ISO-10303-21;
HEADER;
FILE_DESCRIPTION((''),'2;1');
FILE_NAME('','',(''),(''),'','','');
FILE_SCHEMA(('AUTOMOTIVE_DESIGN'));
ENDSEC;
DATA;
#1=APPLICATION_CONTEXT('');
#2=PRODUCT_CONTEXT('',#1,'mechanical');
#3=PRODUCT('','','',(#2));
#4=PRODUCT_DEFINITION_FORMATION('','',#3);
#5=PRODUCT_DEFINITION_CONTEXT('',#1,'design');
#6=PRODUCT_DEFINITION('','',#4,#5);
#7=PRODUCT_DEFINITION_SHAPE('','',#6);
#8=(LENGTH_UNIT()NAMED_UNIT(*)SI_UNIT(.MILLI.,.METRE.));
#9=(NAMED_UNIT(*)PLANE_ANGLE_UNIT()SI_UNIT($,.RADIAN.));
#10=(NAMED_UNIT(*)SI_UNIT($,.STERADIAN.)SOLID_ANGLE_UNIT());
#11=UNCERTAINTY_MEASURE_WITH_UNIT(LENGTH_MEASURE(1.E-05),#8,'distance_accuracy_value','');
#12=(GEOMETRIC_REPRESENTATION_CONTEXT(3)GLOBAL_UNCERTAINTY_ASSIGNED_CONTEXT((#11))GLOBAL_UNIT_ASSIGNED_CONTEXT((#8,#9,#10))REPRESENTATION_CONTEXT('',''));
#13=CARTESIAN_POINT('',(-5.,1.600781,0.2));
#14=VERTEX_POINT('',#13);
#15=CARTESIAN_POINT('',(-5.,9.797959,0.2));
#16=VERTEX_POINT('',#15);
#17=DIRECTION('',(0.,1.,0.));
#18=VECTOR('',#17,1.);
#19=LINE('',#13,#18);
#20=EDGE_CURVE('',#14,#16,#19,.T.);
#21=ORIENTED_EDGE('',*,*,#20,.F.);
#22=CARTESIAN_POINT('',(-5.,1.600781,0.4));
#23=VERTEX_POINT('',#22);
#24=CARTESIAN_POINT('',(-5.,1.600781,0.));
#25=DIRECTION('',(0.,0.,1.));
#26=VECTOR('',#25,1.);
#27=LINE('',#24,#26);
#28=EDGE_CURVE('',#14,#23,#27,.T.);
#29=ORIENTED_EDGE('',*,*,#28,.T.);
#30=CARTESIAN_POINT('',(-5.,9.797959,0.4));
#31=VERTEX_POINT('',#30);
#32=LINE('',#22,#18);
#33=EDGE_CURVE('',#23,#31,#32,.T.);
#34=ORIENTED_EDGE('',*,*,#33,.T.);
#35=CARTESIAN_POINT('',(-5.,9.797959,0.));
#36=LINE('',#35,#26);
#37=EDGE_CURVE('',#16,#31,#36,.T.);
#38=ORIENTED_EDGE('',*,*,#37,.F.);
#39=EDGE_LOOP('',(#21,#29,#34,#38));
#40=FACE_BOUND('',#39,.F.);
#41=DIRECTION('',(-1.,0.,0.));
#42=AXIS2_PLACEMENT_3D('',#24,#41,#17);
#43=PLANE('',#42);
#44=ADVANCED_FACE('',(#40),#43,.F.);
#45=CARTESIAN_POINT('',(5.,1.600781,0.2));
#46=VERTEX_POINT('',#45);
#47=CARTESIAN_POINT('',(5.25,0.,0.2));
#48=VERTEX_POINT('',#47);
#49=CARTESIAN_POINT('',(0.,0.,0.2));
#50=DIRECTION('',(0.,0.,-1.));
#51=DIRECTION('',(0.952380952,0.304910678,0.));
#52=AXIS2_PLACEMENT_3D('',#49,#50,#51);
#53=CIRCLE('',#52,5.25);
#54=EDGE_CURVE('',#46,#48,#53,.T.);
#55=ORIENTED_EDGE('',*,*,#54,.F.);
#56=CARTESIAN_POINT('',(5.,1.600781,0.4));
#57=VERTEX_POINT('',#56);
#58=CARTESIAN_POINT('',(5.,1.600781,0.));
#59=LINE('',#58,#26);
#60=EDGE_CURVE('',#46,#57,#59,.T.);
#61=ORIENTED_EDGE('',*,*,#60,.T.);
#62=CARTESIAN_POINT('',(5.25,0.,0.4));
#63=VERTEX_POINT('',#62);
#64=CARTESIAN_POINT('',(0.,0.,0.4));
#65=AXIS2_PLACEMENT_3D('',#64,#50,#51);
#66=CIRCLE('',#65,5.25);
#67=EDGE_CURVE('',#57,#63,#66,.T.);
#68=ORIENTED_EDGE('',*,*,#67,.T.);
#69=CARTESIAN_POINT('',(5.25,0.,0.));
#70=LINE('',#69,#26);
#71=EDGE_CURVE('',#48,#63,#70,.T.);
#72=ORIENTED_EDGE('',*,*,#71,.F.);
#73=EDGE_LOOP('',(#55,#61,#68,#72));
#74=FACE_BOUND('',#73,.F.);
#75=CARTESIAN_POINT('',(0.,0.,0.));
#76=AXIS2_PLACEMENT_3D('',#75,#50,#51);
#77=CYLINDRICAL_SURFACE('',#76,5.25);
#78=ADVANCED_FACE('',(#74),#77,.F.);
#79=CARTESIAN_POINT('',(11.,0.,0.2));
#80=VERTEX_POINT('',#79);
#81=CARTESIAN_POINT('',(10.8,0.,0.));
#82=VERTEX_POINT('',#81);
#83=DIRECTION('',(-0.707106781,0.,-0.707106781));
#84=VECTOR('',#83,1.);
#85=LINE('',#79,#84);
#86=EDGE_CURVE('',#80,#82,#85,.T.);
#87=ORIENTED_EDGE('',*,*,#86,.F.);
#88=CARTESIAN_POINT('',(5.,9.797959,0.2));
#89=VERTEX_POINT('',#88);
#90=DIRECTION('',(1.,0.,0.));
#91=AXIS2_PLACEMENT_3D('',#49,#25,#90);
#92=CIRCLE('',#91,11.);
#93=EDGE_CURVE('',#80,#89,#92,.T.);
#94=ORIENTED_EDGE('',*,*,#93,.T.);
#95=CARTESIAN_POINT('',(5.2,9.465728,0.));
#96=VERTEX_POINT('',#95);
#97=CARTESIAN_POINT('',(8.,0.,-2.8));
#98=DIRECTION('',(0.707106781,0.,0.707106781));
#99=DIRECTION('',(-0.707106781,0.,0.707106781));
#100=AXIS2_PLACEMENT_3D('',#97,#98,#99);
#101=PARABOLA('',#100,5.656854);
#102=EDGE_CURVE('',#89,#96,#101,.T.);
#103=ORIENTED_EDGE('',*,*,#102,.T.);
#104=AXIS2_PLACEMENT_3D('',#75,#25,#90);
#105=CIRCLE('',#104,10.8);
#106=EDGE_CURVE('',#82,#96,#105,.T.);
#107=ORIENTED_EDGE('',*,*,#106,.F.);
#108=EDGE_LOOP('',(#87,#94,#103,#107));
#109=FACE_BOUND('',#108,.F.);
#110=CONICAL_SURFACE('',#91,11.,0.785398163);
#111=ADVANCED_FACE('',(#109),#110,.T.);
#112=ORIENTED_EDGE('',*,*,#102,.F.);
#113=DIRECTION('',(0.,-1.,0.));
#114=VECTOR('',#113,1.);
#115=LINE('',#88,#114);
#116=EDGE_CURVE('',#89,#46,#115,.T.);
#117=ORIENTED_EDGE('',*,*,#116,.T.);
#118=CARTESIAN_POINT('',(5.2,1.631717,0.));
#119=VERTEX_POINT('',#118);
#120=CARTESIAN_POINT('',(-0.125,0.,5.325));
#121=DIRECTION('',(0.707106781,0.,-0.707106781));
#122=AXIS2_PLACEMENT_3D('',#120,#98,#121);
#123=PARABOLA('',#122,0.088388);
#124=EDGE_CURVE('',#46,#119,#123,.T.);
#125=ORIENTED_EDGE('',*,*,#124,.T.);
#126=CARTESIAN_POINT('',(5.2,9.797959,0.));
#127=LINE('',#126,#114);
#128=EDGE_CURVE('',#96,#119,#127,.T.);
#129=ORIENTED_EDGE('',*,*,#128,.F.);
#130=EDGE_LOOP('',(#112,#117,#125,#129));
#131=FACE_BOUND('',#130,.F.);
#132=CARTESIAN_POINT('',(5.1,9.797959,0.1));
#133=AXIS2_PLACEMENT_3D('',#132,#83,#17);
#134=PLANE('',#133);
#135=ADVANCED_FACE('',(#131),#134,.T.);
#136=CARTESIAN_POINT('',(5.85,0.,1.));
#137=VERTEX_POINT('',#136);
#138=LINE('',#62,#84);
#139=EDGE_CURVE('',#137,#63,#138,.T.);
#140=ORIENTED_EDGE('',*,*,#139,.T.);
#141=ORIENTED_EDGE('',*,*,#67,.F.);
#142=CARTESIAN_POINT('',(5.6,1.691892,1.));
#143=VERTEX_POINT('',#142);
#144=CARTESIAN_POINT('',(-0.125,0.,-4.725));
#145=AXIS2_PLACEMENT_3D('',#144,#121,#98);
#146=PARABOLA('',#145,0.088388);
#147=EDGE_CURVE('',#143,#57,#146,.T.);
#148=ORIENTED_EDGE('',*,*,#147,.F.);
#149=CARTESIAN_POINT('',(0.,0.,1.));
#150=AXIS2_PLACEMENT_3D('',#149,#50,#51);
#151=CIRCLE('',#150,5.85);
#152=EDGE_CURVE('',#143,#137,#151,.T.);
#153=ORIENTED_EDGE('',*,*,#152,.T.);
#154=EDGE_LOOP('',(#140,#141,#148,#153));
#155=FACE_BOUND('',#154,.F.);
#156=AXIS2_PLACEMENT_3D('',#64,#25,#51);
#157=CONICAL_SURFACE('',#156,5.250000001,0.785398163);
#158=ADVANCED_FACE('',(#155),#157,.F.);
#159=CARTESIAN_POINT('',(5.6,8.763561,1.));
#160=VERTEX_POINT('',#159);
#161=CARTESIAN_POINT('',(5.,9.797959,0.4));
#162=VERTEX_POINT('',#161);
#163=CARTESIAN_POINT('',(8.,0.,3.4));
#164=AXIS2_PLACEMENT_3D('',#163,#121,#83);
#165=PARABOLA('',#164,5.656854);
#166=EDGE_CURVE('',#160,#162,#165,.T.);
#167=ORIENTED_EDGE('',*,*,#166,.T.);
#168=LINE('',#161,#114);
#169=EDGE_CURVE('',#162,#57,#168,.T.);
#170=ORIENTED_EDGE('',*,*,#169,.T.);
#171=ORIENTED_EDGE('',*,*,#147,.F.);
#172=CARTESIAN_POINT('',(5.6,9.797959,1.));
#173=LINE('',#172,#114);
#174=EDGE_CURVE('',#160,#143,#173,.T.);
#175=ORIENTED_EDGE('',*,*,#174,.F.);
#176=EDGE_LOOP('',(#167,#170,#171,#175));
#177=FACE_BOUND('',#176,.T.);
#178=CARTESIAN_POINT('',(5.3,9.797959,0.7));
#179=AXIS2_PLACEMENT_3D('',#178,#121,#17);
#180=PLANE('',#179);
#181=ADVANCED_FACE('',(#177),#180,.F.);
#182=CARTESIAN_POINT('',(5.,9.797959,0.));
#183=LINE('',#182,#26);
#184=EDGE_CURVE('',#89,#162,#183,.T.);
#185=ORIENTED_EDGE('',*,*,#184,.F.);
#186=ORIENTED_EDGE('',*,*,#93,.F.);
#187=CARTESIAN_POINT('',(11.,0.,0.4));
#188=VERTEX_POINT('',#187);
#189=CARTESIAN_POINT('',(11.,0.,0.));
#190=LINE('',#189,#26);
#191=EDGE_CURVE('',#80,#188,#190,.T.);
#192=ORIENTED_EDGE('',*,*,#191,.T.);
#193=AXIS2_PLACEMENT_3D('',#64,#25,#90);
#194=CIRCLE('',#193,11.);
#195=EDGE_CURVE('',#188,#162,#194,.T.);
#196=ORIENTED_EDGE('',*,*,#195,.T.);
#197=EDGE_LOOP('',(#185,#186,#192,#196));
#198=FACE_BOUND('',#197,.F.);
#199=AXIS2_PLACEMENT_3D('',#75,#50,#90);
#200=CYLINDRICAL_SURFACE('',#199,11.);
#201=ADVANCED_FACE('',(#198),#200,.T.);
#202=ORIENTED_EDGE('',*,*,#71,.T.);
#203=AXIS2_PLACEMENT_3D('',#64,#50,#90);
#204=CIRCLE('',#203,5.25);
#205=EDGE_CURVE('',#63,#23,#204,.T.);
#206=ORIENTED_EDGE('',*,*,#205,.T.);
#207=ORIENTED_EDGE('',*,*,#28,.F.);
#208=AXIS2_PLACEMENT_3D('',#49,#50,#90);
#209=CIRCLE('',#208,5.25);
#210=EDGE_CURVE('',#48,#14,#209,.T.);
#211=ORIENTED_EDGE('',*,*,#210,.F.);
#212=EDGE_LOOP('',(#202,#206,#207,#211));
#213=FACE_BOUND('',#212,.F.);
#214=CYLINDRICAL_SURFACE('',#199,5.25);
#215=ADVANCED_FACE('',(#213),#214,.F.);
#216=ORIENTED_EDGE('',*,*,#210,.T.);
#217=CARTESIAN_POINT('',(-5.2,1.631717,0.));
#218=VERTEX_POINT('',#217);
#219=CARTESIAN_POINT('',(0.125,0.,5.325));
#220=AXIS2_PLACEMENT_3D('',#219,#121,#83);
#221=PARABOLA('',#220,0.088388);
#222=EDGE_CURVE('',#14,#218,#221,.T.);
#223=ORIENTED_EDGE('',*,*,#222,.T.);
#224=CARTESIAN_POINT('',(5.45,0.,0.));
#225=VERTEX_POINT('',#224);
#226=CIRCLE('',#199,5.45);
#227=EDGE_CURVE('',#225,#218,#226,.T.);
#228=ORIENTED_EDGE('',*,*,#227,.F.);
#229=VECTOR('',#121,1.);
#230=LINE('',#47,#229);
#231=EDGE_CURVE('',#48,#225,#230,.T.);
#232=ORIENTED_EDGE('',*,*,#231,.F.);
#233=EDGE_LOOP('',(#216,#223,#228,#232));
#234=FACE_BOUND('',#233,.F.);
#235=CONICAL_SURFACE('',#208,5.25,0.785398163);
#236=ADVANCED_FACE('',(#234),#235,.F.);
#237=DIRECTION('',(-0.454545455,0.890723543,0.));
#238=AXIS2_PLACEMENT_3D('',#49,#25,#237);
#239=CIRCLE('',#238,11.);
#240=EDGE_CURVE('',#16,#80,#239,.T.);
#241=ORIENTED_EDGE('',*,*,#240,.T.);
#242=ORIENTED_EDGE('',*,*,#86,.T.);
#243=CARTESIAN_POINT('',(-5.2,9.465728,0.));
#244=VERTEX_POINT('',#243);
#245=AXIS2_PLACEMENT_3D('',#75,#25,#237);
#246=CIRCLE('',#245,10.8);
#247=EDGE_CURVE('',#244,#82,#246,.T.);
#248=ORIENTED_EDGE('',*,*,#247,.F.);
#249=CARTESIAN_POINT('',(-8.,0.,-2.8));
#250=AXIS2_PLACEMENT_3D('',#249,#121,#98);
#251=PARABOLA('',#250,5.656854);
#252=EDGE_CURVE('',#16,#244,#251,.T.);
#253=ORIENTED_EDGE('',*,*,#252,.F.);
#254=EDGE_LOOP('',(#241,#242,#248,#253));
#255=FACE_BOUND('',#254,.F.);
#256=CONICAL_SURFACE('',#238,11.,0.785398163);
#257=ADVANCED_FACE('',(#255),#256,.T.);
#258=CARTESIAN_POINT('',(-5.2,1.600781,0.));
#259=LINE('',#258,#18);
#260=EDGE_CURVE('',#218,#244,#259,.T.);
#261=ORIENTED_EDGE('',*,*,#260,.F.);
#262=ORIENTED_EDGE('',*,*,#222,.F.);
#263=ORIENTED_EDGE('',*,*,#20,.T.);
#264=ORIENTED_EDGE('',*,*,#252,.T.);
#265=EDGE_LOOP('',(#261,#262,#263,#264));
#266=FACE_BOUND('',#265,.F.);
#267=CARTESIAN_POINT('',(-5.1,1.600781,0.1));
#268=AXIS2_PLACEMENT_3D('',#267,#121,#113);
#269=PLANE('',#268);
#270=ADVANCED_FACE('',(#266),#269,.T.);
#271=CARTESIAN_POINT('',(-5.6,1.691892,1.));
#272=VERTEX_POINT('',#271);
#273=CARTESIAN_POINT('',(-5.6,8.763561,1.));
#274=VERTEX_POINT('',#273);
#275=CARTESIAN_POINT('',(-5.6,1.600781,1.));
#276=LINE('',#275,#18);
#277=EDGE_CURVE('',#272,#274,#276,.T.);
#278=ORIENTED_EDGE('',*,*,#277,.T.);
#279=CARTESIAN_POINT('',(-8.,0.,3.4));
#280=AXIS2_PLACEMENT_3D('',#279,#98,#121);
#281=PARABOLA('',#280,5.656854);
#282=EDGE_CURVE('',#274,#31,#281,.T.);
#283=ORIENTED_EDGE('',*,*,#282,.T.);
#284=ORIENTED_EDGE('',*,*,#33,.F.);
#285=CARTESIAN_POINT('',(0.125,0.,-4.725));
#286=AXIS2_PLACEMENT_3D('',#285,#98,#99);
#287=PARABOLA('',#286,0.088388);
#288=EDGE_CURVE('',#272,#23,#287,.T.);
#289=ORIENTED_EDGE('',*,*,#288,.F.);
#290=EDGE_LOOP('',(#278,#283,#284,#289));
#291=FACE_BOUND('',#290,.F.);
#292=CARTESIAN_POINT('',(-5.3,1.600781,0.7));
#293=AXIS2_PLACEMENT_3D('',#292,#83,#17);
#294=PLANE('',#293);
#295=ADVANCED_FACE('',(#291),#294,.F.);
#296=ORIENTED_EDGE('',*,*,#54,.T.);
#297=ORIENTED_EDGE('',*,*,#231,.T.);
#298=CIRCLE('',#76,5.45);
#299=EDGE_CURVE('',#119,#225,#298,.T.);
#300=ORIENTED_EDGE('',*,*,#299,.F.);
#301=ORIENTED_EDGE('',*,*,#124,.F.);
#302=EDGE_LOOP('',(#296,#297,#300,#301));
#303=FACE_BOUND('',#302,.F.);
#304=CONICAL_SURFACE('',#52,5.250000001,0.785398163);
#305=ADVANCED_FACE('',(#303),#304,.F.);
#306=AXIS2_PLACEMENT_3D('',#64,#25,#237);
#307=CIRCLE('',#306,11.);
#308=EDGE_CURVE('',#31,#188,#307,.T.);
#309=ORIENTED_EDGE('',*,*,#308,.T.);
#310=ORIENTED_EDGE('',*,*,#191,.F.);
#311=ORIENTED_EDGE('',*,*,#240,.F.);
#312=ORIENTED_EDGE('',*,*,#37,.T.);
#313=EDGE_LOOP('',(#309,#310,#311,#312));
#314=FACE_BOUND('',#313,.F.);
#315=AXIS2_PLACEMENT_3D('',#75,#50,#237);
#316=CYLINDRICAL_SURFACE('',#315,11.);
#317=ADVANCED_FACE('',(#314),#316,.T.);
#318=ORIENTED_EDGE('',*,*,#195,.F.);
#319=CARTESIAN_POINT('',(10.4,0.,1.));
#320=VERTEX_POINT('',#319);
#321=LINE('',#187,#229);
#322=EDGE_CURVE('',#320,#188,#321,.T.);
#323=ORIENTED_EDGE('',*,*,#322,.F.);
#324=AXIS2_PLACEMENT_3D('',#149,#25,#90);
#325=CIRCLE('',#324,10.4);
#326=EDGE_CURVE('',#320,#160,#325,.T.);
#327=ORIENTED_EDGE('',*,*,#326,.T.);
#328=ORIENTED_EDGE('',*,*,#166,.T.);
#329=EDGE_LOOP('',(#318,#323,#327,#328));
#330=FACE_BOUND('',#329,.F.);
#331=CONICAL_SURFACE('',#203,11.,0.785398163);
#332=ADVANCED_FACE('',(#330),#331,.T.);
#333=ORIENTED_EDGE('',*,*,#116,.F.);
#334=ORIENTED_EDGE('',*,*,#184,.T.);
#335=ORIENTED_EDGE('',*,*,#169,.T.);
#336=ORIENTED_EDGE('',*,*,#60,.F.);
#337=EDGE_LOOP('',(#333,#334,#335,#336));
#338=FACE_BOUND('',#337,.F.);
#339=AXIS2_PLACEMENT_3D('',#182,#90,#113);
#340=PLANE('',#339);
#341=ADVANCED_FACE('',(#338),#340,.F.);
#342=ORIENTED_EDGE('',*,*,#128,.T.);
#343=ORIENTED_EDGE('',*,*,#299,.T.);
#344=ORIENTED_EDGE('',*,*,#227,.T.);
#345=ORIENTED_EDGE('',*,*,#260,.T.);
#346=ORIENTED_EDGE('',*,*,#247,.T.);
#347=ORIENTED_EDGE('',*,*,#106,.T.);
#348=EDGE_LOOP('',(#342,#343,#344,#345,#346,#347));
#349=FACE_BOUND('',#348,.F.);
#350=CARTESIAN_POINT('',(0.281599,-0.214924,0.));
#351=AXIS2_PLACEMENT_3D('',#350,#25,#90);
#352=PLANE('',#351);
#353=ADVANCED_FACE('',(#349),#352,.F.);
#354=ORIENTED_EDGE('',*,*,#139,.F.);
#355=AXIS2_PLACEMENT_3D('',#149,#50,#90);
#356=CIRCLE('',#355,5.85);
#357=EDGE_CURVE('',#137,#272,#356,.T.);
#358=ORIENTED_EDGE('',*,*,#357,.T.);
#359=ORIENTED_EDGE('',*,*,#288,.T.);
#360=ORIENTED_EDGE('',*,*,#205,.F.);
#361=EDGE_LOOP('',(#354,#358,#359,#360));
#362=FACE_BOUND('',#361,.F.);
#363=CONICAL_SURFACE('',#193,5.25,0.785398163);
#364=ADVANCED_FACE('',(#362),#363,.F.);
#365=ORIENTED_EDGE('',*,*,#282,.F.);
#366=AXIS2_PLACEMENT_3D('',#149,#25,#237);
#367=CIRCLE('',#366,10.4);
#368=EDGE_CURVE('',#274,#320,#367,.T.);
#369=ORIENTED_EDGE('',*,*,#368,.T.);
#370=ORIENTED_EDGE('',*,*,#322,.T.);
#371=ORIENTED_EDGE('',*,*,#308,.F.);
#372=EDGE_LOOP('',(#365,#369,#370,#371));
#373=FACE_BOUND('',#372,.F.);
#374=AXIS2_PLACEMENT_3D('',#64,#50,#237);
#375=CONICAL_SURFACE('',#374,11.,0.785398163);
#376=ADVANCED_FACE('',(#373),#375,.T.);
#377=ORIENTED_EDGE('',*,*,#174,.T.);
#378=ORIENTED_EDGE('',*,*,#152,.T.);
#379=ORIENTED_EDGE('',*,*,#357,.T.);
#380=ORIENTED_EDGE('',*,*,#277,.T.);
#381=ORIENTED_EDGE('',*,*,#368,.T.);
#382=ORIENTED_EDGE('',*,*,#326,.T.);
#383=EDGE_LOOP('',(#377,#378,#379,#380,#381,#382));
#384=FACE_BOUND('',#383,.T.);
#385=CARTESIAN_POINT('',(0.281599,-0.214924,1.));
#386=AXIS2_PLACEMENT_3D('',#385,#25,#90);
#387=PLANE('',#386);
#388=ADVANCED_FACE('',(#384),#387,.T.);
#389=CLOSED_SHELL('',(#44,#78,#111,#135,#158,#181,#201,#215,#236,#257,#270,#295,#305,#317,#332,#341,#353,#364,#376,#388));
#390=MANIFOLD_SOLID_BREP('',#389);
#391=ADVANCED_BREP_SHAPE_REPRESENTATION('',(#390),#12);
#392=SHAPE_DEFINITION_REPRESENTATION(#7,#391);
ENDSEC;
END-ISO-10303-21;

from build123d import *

# Parameters (mm, degrees)
F1_DEPTH = 1
F2_SIZE  = 0.2
F3_SIZE  = 0.6


with BuildPart() as f1:
    # F0 (on Top) → F1 (new body)
    with BuildSketch(Plane.XY):
        with BuildLine():
            ThreePointArc((5, 1.6007810594), (5.1871234803, 0.8100925873), (5.25, 0))
            ThreePointArc((5.25, 0), (-0.8100925873, -5.1871234803), (-5, 1.6007810594))
            Line((-5, 1.6007810594), (-5, 9.7979589711))
            ThreePointArc((-5, 9.7979589711), (-5.7445626465, -9.3808315196), (11, 0))
            ThreePointArc((11, 0), (9.3808315196, 5.7445626465), (5, 9.7979589711))
            Line((5, 9.7979589711), (5, 1.6007810594))
        make_face()
    extrude(amount=F1_DEPTH)

    # F2
    f2_edges = [f1.edges().sort_by_distance(p)[0] for p in [
        (0, -5.25, 0),
        (-5, 5.69937, 0),
        (-5.744563, -9.380832, 0),
        (9.380832, 5.744563, 0),
        (5, 5.69937, 0),
    ]]
    chamfer(f2_edges, length=F2_SIZE)

    # F3
    f3_edges = [f1.edges().sort_by_distance(p)[0] for p in [
        (0, -5.25, 1),
        (-5, 5.69937, 1),
        (-5.744563, -9.380832, 1),
        (9.380832, 5.744563, 1),
        (5, 5.69937, 1),
    ]]
    chamfer(f3_edges, length=F3_SIZE)


solid = f1.part
